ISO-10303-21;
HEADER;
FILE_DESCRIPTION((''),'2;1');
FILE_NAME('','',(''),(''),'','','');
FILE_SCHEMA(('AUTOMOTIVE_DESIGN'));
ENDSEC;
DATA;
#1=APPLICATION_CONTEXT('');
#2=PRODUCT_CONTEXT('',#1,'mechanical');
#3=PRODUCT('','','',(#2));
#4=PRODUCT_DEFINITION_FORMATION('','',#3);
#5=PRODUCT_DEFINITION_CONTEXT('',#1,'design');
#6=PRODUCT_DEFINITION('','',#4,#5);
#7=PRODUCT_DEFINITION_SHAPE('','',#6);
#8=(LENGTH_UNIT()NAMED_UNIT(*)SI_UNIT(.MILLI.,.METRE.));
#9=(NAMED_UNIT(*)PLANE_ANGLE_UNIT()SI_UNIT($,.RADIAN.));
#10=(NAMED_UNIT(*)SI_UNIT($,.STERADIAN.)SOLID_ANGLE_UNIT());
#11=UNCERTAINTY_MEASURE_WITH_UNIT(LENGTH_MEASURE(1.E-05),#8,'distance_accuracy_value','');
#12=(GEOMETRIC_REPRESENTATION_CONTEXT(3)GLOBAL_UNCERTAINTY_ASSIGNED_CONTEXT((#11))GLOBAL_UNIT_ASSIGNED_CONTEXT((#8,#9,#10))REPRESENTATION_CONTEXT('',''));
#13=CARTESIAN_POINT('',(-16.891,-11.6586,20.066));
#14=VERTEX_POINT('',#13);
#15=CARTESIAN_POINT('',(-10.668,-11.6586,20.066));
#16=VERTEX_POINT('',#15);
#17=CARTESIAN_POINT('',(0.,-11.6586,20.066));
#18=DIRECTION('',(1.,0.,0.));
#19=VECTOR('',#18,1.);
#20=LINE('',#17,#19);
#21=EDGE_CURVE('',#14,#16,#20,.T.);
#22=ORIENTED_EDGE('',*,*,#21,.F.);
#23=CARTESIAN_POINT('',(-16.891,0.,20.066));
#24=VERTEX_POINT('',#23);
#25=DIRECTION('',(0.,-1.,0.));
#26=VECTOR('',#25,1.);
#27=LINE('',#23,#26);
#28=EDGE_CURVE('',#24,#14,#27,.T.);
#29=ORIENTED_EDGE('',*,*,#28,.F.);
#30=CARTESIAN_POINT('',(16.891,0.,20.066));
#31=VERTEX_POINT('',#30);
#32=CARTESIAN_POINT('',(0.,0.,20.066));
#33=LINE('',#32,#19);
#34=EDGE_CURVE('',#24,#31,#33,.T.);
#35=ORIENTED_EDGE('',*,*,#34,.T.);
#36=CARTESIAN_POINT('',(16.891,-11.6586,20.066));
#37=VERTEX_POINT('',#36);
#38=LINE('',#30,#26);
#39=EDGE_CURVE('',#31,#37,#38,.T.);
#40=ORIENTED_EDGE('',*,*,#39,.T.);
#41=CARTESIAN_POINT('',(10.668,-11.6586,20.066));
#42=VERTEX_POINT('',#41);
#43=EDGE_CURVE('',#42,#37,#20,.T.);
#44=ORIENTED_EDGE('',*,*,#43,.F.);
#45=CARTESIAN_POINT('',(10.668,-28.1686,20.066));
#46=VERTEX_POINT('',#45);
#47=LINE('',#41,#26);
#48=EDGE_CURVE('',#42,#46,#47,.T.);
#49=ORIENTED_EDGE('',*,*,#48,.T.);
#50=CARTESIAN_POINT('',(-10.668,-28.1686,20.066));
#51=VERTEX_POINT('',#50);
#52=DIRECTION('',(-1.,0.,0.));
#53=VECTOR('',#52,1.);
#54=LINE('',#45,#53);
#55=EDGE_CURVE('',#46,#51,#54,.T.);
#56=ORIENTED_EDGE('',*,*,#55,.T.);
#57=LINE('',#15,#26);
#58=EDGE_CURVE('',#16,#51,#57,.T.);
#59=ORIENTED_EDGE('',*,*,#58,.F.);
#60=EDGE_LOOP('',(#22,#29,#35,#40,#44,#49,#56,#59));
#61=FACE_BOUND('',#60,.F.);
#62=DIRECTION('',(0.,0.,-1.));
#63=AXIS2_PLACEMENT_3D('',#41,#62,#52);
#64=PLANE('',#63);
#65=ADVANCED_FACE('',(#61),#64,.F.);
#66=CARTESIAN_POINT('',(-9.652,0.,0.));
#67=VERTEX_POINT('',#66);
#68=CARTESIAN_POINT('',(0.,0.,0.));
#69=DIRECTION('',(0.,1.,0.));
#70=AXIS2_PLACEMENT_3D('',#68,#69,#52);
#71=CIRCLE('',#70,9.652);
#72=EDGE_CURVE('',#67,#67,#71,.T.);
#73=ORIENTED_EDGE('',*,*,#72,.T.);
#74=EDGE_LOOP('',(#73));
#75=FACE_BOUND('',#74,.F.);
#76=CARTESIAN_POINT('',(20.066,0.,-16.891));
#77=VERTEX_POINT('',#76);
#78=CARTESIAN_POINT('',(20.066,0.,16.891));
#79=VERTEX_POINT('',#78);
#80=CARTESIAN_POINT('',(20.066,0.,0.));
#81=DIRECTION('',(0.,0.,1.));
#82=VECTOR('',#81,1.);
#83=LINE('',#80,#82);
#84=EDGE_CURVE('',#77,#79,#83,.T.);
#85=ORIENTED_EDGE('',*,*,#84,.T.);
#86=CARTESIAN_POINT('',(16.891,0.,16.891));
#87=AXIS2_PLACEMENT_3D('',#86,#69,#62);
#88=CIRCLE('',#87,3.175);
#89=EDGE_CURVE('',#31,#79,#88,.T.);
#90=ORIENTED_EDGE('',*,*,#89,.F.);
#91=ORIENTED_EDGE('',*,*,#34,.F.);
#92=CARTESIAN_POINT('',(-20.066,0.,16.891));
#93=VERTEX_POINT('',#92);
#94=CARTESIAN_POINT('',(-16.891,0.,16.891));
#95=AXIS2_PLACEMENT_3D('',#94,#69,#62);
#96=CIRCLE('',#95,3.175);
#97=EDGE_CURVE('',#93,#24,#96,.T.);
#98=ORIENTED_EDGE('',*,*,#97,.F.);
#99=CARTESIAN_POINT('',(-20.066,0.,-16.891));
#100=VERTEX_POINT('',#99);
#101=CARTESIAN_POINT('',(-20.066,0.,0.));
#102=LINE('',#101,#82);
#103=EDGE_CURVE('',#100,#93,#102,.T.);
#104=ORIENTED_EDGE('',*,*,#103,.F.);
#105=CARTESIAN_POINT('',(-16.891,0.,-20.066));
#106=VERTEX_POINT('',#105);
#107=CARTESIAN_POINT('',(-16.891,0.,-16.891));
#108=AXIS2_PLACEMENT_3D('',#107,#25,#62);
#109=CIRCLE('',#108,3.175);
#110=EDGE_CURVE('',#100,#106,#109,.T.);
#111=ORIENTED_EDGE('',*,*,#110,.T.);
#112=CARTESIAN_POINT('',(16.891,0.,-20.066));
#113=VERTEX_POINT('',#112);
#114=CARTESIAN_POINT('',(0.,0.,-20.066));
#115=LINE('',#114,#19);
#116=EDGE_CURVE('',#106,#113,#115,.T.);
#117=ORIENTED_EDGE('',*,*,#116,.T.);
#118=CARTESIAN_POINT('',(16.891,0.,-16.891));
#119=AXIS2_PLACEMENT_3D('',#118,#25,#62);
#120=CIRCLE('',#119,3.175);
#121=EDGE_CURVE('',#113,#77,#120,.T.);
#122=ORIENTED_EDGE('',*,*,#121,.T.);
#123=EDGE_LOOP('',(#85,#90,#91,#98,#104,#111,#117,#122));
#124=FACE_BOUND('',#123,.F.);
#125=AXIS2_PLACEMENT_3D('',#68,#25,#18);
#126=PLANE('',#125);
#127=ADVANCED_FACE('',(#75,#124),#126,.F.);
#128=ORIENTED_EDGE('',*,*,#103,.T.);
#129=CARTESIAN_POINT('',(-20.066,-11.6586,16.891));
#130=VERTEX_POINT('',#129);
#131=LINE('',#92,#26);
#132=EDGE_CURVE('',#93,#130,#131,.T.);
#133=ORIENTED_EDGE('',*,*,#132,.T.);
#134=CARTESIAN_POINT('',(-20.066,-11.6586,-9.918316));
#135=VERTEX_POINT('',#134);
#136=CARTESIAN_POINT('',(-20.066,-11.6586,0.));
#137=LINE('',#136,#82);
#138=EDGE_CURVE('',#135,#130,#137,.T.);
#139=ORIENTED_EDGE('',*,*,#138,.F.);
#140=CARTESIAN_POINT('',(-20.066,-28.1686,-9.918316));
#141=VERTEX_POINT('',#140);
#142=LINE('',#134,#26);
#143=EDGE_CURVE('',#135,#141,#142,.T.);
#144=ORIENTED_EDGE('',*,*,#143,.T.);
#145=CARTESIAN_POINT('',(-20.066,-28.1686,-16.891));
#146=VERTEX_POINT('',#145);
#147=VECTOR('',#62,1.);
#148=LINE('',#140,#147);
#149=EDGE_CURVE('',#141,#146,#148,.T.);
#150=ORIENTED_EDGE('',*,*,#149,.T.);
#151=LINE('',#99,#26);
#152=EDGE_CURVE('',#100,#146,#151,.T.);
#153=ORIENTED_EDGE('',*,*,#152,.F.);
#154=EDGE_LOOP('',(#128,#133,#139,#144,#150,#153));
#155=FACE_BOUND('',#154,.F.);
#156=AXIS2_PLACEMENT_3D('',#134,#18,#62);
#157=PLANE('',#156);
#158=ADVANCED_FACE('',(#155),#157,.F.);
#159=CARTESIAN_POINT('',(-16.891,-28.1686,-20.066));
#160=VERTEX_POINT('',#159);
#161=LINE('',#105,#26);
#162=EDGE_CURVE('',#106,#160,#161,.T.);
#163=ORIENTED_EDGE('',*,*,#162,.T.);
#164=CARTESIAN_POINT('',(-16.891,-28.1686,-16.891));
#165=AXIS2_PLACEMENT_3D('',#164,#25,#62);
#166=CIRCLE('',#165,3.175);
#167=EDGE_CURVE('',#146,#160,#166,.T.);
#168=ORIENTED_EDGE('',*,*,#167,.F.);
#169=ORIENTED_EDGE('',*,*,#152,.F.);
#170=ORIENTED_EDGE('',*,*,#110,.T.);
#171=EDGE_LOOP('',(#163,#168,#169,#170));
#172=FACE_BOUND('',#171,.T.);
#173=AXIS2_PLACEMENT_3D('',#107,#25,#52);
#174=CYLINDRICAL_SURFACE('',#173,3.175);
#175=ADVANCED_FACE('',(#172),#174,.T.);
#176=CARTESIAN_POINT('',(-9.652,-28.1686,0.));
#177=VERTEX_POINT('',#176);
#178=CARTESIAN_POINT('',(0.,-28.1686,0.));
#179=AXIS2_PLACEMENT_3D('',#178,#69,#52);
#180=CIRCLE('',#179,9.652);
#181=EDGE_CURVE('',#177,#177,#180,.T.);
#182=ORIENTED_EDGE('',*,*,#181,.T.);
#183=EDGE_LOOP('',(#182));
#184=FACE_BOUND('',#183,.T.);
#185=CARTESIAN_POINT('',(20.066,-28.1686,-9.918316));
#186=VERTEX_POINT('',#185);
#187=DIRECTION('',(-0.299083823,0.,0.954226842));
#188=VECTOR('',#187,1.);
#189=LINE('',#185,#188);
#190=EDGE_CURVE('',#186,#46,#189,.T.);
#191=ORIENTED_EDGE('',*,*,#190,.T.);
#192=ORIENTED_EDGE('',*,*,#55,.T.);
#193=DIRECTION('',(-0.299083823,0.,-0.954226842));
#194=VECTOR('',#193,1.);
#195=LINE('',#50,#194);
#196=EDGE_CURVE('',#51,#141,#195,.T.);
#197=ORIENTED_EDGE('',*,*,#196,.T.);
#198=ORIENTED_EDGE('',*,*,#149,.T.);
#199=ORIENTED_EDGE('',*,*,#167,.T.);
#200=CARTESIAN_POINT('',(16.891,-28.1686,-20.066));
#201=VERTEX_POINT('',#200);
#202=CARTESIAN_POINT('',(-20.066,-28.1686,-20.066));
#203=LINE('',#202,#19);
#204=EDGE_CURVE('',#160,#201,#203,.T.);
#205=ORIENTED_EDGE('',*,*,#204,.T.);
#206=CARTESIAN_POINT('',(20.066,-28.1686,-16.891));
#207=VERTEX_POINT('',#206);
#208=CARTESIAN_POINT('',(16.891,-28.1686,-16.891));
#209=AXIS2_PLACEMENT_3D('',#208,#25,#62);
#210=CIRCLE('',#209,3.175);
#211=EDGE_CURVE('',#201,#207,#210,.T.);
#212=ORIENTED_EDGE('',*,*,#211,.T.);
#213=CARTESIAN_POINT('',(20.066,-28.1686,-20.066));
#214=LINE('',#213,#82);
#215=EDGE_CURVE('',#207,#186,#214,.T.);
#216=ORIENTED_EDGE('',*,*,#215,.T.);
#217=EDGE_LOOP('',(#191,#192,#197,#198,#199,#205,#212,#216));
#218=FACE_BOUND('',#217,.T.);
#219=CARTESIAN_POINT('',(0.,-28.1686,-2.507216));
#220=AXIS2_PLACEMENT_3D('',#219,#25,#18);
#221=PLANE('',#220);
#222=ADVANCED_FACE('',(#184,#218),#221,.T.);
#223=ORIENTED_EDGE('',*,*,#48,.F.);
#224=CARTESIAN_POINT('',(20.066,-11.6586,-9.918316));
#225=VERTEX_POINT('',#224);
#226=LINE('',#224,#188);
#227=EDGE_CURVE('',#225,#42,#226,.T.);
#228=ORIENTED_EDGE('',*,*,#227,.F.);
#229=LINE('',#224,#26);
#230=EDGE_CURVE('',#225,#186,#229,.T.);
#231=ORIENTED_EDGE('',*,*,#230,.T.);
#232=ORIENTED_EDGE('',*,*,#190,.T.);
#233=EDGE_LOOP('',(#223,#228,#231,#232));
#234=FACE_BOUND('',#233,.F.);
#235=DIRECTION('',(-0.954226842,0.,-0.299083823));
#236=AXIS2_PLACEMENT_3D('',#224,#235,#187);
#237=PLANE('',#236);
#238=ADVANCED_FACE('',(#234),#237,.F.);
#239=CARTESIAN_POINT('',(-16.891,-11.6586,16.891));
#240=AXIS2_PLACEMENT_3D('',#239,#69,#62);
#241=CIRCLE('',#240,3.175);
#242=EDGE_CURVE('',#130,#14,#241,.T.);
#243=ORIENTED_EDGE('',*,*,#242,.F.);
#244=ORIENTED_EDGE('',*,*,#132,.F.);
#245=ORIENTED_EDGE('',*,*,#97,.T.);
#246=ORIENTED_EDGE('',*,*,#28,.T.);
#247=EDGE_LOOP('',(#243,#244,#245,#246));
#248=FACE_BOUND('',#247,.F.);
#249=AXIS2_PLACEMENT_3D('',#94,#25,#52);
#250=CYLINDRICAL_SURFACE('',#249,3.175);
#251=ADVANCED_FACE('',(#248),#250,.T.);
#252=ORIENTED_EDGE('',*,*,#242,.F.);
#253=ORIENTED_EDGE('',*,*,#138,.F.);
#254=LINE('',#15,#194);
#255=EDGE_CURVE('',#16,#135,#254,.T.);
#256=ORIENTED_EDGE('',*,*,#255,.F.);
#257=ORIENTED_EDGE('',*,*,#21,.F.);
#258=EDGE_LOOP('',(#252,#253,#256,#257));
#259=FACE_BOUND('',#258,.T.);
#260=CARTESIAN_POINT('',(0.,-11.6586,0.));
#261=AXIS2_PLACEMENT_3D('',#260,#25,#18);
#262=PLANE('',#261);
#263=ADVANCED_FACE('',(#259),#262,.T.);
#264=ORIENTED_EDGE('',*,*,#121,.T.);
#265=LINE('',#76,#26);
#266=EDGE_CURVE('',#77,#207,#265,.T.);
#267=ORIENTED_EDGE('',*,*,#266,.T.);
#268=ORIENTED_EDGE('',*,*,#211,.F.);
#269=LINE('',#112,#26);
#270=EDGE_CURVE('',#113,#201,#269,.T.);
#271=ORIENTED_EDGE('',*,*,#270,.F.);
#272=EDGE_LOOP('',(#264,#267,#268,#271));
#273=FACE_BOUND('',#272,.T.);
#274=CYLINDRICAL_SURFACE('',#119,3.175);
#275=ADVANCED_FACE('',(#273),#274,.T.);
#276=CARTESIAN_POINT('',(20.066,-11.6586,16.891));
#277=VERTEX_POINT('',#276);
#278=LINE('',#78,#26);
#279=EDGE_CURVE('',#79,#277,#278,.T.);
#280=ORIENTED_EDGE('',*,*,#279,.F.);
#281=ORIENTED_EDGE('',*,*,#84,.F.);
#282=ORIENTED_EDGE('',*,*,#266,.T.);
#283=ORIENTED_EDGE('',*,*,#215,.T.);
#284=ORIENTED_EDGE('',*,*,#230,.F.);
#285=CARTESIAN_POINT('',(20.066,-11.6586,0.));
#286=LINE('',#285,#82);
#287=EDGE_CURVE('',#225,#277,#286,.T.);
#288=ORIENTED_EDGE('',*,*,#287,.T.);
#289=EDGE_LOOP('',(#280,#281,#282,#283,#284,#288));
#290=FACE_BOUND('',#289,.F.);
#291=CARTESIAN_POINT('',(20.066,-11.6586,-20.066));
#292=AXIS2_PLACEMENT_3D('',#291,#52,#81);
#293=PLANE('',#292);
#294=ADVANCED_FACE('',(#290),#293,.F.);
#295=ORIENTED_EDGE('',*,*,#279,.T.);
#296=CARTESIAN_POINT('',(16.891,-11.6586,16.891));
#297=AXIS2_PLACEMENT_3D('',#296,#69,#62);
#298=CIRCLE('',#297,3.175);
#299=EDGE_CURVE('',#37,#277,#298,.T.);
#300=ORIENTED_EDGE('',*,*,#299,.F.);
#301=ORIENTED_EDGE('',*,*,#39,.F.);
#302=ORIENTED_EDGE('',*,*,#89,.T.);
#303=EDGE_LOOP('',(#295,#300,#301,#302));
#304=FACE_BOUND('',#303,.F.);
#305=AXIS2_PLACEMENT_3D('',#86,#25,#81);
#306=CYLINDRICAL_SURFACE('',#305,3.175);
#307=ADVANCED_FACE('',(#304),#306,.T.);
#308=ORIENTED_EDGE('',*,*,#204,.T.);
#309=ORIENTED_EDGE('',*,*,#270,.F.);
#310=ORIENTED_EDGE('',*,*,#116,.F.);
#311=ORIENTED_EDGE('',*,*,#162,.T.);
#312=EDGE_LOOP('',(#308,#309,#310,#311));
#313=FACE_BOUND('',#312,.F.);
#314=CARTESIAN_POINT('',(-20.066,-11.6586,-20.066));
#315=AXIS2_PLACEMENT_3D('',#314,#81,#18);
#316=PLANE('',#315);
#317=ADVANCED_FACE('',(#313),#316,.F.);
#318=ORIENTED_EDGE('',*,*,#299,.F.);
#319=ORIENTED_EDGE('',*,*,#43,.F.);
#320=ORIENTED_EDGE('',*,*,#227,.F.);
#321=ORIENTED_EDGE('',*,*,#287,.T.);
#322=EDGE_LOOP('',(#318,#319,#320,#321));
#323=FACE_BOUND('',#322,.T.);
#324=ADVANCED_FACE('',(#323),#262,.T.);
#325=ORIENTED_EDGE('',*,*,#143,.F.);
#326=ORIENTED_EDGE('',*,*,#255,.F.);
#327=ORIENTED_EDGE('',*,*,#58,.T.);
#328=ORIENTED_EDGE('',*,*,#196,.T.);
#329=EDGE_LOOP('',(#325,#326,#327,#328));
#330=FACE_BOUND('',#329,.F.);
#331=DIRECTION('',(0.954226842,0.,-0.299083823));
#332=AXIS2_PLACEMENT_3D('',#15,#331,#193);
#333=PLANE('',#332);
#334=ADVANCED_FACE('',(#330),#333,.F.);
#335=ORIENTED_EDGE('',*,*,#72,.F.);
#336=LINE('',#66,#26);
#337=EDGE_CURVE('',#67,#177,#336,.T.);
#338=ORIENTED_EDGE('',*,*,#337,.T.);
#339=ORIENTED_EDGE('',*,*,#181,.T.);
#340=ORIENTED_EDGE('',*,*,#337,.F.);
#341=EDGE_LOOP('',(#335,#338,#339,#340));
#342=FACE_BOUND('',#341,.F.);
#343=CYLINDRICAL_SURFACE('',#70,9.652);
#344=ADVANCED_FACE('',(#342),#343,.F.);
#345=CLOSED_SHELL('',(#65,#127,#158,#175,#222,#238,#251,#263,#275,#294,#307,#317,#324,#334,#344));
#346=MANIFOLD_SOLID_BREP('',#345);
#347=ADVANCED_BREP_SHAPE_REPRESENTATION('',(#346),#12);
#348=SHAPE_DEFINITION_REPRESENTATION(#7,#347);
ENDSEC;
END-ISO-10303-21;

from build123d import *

# Parameters (mm, degrees)
F0_W     = 40.132
F0_H     = 40.132
F1_DEPTH = 11.6586
F3_DEPTH = 16.51
F4_R     = 9.652
F5_DEPTH = 30.48
F6_R     = 3.175
F7_R     = 3.175
F8_R     = 3.175


with BuildPart() as f1:
    # F0 (on Front) → F1 (new body)
    with BuildSketch(Plane.XZ):
        Rectangle(F0_W, F0_H)
    extrude(amount=F1_DEPTH)

    # F2 (on face) → F3 (join)
    with BuildSketch(Plane.XZ.offset(11.6586)):
        Polygon((-20.066, -9.918316), (-20.066, -20.066), (20.066, -20.066), (20.066, -9.918316), (10.668, 20.066), (-10.668, 20.066), align=None)
    extrude(amount=F3_DEPTH)

    # F4 (on face) → F5 (cut)
    with BuildSketch(Plane(origin=(0, 0, 0), x_dir=(-1, 0, 0), z_dir=(0, 1, 0))):
        Circle(F4_R)
    extrude(amount=-F5_DEPTH, mode=Mode.SUBTRACT)

    # F6
    f6_edges = [f1.edges().sort_by_distance(p)[0] for p in [
        (-20.066, -5.8293, 20.066),
    ]]
    fillet(f6_edges, radius=F6_R)

    # F7
    f7_edges = [f1.edges().sort_by_distance(p)[0] for p in [
        (-20.066, -14.0843, -20.066),
    ]]
    fillet(f7_edges, radius=F7_R)

    # F8
    f8_edges = [f1.edges().sort_by_distance(p)[0] for p in [
        (20.066, -5.8293, 20.066),
        (20.066, -14.0843, -20.066),
    ]]
    fillet(f8_edges, radius=F8_R)


solid = f1.part
